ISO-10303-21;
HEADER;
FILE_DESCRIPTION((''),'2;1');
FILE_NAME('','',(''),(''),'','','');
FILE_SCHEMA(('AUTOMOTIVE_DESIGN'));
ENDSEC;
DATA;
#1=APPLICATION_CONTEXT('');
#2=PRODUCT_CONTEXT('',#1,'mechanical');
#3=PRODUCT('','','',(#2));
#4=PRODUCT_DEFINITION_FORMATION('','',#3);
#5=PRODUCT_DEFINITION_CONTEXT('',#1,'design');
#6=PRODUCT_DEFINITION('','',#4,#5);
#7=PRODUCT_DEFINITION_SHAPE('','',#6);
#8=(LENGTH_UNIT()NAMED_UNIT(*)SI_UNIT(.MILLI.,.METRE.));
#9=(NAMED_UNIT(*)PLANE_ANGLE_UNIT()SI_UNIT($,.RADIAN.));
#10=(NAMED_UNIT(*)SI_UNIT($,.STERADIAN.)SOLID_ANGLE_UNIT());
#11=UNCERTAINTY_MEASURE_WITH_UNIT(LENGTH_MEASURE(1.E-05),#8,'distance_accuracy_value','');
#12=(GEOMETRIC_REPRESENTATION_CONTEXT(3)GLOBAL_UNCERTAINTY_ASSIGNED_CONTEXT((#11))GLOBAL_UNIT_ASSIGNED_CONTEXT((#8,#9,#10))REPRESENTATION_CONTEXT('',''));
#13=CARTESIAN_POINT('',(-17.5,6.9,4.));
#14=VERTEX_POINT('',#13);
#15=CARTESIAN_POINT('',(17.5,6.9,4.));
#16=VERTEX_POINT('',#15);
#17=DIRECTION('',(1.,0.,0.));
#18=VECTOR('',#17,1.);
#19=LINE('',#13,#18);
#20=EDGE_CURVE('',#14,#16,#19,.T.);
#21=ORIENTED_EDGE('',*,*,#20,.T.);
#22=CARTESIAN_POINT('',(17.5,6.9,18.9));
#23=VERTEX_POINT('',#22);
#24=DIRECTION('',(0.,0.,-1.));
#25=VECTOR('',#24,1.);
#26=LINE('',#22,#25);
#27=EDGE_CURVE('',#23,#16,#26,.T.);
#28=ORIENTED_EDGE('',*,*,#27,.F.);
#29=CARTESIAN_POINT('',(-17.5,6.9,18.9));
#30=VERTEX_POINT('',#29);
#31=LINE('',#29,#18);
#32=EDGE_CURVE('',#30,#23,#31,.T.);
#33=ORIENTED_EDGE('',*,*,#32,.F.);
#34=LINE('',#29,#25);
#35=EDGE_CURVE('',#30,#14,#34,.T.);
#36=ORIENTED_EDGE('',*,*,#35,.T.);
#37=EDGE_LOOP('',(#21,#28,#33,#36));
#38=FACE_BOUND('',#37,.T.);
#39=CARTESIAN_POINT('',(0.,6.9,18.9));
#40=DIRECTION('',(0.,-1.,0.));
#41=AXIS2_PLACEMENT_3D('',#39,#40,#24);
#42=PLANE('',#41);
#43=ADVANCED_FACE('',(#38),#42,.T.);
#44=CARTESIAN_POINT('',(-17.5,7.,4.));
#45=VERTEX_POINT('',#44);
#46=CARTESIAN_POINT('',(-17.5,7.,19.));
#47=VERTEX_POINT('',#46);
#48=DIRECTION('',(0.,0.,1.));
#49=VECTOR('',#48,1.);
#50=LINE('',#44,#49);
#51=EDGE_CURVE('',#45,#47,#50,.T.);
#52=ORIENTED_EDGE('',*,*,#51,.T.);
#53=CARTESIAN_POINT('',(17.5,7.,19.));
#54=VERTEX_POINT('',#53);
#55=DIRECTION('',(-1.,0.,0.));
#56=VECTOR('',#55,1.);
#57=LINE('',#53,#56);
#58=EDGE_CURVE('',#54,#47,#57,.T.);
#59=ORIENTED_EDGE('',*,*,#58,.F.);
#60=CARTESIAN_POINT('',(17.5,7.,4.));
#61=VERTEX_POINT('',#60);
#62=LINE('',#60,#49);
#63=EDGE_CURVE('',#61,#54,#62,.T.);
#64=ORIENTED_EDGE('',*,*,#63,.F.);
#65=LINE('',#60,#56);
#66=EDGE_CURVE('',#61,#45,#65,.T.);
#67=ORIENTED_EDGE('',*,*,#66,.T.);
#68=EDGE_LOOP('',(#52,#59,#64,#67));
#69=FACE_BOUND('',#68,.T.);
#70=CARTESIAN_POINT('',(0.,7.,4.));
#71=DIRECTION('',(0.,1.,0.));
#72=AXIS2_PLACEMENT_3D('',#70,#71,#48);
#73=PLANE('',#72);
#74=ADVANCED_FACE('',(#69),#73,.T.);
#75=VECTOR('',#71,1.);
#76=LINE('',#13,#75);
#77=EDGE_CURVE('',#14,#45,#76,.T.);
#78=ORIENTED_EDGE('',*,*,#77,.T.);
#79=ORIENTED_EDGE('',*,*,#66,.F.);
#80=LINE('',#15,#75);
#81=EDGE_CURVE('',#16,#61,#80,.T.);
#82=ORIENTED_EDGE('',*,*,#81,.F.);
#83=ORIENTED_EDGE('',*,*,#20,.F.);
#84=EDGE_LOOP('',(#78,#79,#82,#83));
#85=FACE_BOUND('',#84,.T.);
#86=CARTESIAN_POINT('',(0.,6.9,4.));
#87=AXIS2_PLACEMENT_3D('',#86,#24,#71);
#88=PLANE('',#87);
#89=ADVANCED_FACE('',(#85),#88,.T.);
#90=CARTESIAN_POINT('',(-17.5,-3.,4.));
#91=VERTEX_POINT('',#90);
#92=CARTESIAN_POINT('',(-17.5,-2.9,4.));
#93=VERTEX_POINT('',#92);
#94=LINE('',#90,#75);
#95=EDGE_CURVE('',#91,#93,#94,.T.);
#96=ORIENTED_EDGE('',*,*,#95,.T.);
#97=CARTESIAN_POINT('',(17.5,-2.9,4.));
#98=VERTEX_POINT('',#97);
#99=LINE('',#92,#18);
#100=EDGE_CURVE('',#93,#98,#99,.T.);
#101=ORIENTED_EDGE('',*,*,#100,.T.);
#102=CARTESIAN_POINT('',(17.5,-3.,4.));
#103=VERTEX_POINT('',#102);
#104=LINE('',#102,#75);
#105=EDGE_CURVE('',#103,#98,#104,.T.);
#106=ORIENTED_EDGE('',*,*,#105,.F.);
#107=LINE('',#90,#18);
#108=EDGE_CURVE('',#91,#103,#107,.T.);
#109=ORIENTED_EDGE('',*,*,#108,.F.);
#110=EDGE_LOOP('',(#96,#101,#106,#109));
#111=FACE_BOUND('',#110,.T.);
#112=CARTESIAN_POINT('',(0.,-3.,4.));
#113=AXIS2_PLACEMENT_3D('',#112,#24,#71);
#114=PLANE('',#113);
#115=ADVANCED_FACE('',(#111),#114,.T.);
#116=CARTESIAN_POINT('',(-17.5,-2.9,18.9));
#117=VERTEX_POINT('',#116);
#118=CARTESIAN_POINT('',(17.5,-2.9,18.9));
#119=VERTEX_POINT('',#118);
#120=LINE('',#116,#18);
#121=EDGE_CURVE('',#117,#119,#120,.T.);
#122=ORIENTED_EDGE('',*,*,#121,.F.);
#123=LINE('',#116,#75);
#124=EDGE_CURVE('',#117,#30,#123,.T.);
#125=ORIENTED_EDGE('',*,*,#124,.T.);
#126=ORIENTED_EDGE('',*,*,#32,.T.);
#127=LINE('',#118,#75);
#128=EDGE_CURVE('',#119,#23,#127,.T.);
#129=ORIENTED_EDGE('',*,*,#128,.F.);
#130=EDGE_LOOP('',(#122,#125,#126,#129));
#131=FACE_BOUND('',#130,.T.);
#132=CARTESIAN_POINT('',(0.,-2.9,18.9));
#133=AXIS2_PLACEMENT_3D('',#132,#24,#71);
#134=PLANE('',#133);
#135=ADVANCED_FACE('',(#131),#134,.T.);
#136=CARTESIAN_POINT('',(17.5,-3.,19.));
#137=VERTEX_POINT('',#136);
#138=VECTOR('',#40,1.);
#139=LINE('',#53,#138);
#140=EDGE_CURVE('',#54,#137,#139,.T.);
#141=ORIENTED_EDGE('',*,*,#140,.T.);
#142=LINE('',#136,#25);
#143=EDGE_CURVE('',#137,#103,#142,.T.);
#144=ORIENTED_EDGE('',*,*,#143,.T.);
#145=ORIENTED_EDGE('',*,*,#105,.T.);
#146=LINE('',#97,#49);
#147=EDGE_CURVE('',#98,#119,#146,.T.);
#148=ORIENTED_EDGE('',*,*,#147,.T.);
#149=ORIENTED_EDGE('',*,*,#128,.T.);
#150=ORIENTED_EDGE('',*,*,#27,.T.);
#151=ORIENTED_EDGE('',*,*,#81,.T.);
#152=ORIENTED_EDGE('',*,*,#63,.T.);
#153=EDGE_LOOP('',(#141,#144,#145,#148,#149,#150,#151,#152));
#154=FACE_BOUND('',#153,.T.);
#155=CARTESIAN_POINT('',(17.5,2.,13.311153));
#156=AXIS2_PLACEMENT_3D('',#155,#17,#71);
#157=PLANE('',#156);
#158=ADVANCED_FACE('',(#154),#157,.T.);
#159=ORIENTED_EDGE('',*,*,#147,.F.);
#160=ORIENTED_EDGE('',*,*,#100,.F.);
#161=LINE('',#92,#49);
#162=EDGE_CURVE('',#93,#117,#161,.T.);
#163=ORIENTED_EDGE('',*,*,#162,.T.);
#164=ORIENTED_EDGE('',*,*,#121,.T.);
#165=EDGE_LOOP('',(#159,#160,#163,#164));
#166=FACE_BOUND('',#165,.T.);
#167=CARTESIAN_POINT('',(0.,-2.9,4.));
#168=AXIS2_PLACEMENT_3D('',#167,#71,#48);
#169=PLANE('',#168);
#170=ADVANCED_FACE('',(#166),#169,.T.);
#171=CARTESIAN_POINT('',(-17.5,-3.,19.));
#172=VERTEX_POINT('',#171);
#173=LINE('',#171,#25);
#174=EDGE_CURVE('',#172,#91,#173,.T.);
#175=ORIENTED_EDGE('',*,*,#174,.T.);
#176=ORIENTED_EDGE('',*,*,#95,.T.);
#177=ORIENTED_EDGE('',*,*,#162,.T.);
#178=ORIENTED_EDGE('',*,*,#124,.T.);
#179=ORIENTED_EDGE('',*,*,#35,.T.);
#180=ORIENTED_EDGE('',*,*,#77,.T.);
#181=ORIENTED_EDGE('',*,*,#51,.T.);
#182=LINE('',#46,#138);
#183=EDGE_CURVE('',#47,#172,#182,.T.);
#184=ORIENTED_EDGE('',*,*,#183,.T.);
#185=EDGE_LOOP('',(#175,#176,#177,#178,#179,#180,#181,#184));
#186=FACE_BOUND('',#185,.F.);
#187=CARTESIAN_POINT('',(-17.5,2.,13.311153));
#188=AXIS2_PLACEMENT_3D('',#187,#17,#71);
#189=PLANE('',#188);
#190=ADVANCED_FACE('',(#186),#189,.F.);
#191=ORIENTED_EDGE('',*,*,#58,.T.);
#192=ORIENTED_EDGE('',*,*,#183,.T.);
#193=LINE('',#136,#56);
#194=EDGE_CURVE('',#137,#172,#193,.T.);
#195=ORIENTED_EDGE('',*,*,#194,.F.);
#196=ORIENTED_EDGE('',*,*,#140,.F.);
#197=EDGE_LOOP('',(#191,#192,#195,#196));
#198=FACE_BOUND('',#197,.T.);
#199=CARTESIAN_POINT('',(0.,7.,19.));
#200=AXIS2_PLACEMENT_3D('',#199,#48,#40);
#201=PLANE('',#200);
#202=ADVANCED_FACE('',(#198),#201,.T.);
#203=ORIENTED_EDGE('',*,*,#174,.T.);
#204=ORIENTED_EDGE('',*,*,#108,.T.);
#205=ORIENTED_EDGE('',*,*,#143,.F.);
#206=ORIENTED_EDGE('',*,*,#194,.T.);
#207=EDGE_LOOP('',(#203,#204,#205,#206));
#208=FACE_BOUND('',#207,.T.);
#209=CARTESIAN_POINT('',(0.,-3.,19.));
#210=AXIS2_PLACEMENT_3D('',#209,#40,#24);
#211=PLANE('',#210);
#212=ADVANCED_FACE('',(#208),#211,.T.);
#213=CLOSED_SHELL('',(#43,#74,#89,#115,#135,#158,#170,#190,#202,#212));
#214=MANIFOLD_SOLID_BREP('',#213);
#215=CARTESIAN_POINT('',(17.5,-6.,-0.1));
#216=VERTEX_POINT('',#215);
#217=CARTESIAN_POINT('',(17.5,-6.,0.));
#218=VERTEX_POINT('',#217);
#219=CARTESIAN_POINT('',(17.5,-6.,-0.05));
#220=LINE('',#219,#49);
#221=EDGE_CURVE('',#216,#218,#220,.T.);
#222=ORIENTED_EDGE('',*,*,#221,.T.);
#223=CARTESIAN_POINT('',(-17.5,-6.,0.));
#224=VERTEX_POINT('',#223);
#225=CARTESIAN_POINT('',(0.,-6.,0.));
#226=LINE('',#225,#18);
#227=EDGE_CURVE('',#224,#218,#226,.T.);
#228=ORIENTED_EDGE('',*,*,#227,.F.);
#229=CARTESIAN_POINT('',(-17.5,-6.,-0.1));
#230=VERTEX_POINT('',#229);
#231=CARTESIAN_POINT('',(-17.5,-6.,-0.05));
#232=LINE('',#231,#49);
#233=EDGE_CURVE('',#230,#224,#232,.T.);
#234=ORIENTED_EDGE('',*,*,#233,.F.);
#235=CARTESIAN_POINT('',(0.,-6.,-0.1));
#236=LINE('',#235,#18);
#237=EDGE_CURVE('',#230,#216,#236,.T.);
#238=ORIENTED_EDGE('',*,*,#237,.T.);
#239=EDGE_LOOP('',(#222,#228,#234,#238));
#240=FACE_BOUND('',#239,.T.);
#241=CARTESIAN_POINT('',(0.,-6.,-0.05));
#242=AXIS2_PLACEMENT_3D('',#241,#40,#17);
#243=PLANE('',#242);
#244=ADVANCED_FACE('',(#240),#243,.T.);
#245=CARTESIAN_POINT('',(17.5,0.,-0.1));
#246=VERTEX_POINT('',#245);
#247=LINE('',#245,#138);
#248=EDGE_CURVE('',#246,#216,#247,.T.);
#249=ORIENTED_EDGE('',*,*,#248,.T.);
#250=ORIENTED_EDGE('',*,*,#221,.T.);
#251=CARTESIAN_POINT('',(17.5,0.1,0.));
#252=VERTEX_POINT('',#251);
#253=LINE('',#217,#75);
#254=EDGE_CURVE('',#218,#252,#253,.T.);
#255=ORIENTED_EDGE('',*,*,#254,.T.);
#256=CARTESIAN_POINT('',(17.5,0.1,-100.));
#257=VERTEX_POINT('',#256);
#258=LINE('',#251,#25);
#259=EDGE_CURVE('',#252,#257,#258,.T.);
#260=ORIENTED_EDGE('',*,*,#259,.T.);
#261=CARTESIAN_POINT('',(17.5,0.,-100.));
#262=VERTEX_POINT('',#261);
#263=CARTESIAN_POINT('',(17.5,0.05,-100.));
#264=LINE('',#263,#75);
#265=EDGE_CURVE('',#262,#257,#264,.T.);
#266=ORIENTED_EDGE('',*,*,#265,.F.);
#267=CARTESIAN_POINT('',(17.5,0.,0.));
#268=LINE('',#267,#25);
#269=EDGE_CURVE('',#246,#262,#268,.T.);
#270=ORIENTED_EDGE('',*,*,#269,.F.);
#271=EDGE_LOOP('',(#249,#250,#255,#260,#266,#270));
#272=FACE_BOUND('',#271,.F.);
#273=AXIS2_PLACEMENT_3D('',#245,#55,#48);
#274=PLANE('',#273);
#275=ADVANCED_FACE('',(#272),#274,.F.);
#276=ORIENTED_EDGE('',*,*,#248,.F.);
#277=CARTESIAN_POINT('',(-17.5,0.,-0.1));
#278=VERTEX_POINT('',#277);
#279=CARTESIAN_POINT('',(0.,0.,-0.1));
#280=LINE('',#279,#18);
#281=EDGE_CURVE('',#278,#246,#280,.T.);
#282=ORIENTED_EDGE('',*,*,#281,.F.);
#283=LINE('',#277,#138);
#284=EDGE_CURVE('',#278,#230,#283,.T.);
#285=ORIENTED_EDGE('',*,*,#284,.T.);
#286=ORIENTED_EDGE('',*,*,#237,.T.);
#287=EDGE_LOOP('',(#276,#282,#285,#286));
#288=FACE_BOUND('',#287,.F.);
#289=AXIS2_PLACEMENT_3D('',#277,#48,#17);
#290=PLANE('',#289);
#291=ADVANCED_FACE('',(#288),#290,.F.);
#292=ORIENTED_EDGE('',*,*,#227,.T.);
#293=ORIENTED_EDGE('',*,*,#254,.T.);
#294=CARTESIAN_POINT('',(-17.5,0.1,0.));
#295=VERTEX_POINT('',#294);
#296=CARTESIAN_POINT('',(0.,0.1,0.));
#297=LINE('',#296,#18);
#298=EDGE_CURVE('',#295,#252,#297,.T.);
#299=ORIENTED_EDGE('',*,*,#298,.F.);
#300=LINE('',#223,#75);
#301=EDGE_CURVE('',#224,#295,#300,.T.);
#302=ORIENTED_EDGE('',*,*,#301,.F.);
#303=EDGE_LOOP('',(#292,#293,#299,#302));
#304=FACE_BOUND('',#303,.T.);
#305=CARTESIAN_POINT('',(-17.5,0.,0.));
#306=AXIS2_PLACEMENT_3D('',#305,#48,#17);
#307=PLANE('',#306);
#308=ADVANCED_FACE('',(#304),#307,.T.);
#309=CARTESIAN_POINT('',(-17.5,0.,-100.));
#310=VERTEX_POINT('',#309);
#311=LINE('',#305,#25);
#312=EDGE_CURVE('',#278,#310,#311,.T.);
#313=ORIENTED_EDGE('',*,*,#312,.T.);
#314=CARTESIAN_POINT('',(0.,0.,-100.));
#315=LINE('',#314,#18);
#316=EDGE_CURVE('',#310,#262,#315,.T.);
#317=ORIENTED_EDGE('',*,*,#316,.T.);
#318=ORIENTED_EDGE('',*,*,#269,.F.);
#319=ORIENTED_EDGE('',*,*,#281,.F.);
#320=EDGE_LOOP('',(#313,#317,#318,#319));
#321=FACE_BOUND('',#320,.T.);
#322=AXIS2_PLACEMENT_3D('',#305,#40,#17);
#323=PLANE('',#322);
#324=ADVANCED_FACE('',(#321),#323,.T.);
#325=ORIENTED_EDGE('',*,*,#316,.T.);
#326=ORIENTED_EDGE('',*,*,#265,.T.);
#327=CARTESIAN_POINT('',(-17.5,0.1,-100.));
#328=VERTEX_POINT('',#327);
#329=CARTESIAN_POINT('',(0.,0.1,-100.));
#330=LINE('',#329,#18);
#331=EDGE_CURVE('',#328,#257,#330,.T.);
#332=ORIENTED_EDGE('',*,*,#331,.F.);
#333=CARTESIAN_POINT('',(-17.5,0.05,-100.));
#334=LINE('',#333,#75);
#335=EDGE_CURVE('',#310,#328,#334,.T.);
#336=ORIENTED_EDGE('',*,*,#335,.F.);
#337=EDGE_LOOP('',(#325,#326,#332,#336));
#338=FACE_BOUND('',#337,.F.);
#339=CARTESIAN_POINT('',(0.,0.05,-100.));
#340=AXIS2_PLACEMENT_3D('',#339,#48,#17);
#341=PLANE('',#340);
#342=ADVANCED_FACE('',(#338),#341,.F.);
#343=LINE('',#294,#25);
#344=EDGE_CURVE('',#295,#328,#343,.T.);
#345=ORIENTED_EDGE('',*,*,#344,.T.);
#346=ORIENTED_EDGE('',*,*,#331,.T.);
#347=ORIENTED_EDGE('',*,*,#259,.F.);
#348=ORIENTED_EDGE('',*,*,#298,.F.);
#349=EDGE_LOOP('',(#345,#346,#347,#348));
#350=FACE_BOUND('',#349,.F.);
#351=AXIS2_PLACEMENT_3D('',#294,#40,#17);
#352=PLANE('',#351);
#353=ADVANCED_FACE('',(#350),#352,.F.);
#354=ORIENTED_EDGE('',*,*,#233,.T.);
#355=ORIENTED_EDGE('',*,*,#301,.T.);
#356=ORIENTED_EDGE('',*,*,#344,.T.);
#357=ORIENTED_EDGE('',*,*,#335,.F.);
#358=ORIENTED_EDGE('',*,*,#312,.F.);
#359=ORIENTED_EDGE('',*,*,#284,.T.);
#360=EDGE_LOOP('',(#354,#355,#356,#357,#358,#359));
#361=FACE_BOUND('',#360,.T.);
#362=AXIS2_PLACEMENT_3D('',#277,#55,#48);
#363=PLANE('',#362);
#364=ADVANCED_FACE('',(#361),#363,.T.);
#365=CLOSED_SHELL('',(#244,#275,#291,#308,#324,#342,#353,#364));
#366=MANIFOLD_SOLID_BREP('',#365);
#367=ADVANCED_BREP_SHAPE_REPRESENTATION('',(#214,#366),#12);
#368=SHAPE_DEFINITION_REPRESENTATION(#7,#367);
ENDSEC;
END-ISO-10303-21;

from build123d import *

# Parameters (mm, degrees)
F2_W          = 35
F2_H          = 0.1
F3_DEPTH      = 100
F4_W          = 35
F4_H          = 0.1
F5_DEPTH      = 6
F7_DEPTH      = 17.5
F7_DEPTH_BACK = 17.5


with BuildPart() as f3:
    # F2 (on Top) → F3 (new body)
    with BuildSketch(Plane.XY):
        with Locations((0, 0.05)):
            Rectangle(F2_W, F2_H)
    extrude(amount=-F3_DEPTH)

    # F4 (on Front) → F5 (join)
    with BuildSketch(Plane.XZ):
        with Locations((0, -0.05)):
            Rectangle(F4_W, F4_H)
    extrude(amount=F5_DEPTH)


with BuildPart() as f7:
    # F6 (on Right) → F7 (new body, two sides)
    with BuildSketch(Plane.YZ) as f7_sk:
        Polygon((-3, 19), (-3, 4), (-2.9, 4), (-2.9, 18.9), (6.9, 18.9), (6.9, 4), (7, 4), (7, 19), align=None)
    extrude(amount=F7_DEPTH)
    extrude(f7_sk.sketch, amount=-F7_DEPTH_BACK)


solid = Compound([f3.part, f7.part])
